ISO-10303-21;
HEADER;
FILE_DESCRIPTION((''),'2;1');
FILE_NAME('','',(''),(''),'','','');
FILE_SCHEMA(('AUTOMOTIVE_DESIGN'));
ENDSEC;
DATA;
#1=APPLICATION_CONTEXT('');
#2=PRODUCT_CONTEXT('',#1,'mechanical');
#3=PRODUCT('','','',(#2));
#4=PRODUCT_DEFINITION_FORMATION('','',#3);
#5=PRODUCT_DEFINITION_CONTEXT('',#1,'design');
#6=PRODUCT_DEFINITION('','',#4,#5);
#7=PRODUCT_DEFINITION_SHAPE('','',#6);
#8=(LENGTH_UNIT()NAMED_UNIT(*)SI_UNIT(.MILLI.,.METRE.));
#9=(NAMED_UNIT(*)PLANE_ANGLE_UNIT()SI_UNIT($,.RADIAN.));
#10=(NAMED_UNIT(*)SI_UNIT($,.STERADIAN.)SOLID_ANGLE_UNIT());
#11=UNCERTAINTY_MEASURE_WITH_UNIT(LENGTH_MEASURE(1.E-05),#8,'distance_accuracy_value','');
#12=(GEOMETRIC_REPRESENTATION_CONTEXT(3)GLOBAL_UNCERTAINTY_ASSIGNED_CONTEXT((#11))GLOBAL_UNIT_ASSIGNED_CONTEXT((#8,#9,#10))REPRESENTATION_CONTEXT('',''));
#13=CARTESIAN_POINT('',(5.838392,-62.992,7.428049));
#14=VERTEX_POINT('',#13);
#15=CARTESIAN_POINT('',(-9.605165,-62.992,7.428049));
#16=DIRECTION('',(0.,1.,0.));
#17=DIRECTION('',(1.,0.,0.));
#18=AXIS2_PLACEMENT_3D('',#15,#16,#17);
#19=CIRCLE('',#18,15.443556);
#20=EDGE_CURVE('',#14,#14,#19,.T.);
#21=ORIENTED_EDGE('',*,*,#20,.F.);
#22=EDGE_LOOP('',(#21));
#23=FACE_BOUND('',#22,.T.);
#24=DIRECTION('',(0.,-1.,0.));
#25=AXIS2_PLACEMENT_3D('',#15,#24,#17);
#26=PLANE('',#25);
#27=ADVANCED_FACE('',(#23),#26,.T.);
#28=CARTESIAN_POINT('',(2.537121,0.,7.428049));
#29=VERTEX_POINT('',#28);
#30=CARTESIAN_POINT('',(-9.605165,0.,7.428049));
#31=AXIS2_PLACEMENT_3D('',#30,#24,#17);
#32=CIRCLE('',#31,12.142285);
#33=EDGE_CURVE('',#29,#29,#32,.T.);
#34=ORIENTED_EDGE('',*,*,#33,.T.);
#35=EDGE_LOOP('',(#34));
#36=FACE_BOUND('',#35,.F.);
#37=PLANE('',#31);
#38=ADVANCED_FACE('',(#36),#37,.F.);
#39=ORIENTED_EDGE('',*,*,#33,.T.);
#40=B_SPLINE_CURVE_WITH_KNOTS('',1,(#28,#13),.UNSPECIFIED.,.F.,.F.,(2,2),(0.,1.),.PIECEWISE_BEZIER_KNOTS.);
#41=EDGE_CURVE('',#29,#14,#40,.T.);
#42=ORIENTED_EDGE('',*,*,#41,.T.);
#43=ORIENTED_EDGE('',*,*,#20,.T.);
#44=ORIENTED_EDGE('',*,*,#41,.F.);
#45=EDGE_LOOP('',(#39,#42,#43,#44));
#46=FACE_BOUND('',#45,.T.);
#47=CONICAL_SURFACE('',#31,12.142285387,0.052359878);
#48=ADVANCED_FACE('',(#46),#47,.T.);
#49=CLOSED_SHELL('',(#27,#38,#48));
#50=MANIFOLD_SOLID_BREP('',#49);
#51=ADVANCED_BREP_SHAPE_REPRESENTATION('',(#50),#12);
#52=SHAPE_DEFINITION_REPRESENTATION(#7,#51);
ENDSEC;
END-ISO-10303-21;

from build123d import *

# Parameters (mm, degrees)
F0_R     = 12.1422853868
F1_DEPTH = 62.992
F1_TAPER = -3


with BuildPart() as f1:
    # F0 (on Front) → F1 (new body)
    with BuildSketch(Plane.XZ):
        with Locations((-9.6051646397, 7.4280486442)):
            Circle(F0_R)
    extrude(amount=F1_DEPTH, taper=F1_TAPER)


solid = f1.part
